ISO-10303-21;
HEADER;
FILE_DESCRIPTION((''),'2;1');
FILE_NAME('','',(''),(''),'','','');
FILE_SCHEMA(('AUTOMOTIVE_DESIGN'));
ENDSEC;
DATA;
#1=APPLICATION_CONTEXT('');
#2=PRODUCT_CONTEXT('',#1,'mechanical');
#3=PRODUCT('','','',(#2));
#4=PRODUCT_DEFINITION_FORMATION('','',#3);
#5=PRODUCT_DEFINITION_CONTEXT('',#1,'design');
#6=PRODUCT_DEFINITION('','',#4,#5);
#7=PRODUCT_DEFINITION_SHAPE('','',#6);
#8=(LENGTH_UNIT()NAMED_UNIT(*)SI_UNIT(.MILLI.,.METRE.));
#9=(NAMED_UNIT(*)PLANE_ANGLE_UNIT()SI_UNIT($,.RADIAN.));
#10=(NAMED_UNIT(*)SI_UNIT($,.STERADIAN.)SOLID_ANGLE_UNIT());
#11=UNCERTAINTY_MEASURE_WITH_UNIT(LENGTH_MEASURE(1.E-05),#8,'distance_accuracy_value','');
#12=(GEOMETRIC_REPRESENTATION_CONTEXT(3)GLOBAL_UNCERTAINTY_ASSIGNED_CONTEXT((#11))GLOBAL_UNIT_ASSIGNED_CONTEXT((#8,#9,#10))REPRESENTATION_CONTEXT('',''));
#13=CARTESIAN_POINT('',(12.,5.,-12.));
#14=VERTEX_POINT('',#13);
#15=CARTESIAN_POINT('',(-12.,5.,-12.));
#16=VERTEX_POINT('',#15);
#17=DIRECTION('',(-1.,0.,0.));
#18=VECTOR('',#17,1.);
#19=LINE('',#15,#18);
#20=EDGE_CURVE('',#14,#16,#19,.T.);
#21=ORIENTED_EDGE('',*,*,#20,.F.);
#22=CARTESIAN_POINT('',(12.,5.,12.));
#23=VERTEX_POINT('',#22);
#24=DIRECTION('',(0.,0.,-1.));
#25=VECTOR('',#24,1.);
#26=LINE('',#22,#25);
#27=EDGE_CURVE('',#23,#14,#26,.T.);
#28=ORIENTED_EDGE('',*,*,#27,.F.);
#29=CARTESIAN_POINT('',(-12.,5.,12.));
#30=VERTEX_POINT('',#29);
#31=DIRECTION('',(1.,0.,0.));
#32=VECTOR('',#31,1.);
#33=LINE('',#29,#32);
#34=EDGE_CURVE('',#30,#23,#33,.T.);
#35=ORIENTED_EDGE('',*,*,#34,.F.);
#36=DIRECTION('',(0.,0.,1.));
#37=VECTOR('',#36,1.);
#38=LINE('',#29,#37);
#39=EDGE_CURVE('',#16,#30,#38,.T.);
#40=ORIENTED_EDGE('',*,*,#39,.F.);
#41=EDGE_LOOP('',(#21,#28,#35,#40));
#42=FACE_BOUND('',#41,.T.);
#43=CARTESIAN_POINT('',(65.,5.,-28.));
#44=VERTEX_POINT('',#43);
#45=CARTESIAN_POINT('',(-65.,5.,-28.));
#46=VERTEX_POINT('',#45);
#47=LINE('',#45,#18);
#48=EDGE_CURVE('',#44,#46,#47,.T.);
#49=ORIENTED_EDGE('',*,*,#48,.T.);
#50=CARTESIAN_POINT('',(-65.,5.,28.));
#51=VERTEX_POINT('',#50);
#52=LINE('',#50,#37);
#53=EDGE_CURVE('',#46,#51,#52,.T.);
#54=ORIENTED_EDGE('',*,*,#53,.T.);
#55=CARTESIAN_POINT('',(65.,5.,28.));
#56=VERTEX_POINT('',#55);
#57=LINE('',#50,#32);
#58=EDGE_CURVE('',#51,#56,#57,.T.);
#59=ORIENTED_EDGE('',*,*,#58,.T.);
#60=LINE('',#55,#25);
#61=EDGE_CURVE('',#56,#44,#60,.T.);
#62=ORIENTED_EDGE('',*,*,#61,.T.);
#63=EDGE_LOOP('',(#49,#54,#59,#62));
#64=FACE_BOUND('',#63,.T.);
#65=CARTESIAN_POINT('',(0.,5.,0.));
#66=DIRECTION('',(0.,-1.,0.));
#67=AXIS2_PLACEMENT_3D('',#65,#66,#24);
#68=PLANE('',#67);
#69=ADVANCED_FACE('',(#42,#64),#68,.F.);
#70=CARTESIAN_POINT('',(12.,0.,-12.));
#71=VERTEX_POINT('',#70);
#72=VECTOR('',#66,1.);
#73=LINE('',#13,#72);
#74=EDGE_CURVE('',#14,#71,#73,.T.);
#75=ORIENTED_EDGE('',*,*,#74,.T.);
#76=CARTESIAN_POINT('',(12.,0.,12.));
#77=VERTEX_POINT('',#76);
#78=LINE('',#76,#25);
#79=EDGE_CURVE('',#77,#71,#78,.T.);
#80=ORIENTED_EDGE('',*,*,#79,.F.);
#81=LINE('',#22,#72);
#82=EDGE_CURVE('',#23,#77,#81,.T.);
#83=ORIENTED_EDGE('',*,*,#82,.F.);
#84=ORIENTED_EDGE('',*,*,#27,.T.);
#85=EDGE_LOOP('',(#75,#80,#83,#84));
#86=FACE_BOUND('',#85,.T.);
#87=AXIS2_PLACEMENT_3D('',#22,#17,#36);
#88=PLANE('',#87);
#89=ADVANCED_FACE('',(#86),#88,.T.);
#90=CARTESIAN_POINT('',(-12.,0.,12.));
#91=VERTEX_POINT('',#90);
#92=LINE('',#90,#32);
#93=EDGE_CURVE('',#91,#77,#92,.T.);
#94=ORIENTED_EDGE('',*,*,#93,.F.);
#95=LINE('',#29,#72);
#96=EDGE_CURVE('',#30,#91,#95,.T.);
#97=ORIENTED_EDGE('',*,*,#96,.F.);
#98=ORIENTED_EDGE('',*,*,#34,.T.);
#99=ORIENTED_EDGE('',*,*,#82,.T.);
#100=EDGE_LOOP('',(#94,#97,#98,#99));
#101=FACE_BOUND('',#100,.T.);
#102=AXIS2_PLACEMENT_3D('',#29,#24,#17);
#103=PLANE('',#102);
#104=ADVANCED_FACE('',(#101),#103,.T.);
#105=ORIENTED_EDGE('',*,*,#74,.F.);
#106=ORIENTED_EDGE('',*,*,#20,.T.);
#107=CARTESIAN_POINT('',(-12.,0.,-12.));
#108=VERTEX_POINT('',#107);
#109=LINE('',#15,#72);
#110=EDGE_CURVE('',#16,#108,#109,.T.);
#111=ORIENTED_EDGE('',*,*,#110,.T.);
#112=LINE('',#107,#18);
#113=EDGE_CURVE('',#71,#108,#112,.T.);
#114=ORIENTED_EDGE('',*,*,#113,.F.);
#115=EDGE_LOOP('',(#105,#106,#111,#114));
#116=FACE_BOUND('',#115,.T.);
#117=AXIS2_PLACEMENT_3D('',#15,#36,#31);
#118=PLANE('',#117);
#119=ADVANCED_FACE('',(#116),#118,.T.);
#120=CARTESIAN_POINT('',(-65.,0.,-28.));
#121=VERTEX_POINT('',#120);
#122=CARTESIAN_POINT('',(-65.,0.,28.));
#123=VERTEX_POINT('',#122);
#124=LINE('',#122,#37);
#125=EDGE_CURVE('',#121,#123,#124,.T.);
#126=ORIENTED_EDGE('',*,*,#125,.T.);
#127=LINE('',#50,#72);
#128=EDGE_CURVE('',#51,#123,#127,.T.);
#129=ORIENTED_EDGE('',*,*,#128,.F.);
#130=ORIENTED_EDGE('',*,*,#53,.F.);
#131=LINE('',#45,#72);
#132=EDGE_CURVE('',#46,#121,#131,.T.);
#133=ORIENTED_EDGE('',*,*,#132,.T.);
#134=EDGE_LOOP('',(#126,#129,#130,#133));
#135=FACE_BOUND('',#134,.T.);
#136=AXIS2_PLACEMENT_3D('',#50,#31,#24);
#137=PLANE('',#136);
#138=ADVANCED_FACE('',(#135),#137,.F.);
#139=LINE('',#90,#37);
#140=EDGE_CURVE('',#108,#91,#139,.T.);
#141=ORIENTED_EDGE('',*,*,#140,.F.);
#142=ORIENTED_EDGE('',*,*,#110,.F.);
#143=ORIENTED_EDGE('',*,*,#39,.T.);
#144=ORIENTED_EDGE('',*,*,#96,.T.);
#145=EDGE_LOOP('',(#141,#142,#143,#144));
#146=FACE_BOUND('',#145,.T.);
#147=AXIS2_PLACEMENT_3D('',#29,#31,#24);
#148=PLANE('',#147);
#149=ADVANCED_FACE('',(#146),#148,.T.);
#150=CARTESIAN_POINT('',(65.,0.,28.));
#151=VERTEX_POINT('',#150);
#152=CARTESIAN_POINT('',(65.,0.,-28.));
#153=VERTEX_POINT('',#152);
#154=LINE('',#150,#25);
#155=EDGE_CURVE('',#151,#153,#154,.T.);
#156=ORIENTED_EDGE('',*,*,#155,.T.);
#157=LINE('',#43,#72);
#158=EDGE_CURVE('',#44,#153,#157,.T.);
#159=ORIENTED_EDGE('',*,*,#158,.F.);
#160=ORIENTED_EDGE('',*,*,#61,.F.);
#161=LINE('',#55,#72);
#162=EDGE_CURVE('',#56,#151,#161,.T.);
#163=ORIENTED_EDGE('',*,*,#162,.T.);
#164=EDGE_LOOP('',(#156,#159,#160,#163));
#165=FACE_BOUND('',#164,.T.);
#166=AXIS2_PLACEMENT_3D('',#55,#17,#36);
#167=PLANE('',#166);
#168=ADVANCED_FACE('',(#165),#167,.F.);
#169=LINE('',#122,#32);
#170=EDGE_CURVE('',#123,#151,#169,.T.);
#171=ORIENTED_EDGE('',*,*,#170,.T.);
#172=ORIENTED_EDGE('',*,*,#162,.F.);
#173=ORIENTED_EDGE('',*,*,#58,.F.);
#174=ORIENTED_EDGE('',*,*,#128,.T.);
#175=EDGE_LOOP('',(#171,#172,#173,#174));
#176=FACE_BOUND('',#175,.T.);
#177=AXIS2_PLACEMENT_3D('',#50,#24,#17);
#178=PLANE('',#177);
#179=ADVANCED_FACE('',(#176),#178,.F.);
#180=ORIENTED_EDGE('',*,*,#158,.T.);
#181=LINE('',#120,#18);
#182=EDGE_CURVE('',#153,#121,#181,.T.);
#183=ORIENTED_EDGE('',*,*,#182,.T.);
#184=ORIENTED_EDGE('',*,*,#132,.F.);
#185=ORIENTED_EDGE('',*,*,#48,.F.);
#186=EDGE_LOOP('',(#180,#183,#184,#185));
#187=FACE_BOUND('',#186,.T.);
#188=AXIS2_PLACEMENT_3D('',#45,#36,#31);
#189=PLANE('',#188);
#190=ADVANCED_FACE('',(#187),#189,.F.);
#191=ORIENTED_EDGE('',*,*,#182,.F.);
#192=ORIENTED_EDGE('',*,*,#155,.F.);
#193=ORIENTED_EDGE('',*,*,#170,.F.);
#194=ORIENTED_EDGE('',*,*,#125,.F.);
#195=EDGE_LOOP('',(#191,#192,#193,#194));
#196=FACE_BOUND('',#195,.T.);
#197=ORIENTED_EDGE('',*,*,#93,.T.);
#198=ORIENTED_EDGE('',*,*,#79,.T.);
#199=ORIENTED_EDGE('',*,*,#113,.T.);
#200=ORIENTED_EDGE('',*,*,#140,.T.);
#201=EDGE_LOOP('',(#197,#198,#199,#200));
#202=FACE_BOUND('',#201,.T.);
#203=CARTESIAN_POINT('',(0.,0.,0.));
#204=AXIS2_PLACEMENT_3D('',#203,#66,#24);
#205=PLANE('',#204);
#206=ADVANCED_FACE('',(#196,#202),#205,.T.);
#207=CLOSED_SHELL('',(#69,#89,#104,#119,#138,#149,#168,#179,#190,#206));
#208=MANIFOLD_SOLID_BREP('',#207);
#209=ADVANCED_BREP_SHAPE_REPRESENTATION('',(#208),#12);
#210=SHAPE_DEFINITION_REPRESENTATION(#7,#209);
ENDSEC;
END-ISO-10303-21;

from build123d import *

# Parameters (mm, degrees)
IZIM1_W                     = 130
IZIM1_H                     = 56
IZIM1_W_2                   = 24
IZIM1_H_2                   = 24
Y_KSEKLIK_EKSTR_ZYON1_DEPTH = 5


with BuildPart() as part:
    # Çizim1 → Yükseklik-Ekstrüzyon1 (new body)
    with BuildSketch(Plane(origin=(0, 0, 0), x_dir=(1, 0, 0), z_dir=(0, 1, 0))):
        Rectangle(IZIM1_W, IZIM1_H)
        Rectangle(IZIM1_W_2, IZIM1_H_2, mode=Mode.SUBTRACT)
    extrude(amount=Y_KSEKLIK_EKSTR_ZYON1_DEPTH)


solid = part.part
